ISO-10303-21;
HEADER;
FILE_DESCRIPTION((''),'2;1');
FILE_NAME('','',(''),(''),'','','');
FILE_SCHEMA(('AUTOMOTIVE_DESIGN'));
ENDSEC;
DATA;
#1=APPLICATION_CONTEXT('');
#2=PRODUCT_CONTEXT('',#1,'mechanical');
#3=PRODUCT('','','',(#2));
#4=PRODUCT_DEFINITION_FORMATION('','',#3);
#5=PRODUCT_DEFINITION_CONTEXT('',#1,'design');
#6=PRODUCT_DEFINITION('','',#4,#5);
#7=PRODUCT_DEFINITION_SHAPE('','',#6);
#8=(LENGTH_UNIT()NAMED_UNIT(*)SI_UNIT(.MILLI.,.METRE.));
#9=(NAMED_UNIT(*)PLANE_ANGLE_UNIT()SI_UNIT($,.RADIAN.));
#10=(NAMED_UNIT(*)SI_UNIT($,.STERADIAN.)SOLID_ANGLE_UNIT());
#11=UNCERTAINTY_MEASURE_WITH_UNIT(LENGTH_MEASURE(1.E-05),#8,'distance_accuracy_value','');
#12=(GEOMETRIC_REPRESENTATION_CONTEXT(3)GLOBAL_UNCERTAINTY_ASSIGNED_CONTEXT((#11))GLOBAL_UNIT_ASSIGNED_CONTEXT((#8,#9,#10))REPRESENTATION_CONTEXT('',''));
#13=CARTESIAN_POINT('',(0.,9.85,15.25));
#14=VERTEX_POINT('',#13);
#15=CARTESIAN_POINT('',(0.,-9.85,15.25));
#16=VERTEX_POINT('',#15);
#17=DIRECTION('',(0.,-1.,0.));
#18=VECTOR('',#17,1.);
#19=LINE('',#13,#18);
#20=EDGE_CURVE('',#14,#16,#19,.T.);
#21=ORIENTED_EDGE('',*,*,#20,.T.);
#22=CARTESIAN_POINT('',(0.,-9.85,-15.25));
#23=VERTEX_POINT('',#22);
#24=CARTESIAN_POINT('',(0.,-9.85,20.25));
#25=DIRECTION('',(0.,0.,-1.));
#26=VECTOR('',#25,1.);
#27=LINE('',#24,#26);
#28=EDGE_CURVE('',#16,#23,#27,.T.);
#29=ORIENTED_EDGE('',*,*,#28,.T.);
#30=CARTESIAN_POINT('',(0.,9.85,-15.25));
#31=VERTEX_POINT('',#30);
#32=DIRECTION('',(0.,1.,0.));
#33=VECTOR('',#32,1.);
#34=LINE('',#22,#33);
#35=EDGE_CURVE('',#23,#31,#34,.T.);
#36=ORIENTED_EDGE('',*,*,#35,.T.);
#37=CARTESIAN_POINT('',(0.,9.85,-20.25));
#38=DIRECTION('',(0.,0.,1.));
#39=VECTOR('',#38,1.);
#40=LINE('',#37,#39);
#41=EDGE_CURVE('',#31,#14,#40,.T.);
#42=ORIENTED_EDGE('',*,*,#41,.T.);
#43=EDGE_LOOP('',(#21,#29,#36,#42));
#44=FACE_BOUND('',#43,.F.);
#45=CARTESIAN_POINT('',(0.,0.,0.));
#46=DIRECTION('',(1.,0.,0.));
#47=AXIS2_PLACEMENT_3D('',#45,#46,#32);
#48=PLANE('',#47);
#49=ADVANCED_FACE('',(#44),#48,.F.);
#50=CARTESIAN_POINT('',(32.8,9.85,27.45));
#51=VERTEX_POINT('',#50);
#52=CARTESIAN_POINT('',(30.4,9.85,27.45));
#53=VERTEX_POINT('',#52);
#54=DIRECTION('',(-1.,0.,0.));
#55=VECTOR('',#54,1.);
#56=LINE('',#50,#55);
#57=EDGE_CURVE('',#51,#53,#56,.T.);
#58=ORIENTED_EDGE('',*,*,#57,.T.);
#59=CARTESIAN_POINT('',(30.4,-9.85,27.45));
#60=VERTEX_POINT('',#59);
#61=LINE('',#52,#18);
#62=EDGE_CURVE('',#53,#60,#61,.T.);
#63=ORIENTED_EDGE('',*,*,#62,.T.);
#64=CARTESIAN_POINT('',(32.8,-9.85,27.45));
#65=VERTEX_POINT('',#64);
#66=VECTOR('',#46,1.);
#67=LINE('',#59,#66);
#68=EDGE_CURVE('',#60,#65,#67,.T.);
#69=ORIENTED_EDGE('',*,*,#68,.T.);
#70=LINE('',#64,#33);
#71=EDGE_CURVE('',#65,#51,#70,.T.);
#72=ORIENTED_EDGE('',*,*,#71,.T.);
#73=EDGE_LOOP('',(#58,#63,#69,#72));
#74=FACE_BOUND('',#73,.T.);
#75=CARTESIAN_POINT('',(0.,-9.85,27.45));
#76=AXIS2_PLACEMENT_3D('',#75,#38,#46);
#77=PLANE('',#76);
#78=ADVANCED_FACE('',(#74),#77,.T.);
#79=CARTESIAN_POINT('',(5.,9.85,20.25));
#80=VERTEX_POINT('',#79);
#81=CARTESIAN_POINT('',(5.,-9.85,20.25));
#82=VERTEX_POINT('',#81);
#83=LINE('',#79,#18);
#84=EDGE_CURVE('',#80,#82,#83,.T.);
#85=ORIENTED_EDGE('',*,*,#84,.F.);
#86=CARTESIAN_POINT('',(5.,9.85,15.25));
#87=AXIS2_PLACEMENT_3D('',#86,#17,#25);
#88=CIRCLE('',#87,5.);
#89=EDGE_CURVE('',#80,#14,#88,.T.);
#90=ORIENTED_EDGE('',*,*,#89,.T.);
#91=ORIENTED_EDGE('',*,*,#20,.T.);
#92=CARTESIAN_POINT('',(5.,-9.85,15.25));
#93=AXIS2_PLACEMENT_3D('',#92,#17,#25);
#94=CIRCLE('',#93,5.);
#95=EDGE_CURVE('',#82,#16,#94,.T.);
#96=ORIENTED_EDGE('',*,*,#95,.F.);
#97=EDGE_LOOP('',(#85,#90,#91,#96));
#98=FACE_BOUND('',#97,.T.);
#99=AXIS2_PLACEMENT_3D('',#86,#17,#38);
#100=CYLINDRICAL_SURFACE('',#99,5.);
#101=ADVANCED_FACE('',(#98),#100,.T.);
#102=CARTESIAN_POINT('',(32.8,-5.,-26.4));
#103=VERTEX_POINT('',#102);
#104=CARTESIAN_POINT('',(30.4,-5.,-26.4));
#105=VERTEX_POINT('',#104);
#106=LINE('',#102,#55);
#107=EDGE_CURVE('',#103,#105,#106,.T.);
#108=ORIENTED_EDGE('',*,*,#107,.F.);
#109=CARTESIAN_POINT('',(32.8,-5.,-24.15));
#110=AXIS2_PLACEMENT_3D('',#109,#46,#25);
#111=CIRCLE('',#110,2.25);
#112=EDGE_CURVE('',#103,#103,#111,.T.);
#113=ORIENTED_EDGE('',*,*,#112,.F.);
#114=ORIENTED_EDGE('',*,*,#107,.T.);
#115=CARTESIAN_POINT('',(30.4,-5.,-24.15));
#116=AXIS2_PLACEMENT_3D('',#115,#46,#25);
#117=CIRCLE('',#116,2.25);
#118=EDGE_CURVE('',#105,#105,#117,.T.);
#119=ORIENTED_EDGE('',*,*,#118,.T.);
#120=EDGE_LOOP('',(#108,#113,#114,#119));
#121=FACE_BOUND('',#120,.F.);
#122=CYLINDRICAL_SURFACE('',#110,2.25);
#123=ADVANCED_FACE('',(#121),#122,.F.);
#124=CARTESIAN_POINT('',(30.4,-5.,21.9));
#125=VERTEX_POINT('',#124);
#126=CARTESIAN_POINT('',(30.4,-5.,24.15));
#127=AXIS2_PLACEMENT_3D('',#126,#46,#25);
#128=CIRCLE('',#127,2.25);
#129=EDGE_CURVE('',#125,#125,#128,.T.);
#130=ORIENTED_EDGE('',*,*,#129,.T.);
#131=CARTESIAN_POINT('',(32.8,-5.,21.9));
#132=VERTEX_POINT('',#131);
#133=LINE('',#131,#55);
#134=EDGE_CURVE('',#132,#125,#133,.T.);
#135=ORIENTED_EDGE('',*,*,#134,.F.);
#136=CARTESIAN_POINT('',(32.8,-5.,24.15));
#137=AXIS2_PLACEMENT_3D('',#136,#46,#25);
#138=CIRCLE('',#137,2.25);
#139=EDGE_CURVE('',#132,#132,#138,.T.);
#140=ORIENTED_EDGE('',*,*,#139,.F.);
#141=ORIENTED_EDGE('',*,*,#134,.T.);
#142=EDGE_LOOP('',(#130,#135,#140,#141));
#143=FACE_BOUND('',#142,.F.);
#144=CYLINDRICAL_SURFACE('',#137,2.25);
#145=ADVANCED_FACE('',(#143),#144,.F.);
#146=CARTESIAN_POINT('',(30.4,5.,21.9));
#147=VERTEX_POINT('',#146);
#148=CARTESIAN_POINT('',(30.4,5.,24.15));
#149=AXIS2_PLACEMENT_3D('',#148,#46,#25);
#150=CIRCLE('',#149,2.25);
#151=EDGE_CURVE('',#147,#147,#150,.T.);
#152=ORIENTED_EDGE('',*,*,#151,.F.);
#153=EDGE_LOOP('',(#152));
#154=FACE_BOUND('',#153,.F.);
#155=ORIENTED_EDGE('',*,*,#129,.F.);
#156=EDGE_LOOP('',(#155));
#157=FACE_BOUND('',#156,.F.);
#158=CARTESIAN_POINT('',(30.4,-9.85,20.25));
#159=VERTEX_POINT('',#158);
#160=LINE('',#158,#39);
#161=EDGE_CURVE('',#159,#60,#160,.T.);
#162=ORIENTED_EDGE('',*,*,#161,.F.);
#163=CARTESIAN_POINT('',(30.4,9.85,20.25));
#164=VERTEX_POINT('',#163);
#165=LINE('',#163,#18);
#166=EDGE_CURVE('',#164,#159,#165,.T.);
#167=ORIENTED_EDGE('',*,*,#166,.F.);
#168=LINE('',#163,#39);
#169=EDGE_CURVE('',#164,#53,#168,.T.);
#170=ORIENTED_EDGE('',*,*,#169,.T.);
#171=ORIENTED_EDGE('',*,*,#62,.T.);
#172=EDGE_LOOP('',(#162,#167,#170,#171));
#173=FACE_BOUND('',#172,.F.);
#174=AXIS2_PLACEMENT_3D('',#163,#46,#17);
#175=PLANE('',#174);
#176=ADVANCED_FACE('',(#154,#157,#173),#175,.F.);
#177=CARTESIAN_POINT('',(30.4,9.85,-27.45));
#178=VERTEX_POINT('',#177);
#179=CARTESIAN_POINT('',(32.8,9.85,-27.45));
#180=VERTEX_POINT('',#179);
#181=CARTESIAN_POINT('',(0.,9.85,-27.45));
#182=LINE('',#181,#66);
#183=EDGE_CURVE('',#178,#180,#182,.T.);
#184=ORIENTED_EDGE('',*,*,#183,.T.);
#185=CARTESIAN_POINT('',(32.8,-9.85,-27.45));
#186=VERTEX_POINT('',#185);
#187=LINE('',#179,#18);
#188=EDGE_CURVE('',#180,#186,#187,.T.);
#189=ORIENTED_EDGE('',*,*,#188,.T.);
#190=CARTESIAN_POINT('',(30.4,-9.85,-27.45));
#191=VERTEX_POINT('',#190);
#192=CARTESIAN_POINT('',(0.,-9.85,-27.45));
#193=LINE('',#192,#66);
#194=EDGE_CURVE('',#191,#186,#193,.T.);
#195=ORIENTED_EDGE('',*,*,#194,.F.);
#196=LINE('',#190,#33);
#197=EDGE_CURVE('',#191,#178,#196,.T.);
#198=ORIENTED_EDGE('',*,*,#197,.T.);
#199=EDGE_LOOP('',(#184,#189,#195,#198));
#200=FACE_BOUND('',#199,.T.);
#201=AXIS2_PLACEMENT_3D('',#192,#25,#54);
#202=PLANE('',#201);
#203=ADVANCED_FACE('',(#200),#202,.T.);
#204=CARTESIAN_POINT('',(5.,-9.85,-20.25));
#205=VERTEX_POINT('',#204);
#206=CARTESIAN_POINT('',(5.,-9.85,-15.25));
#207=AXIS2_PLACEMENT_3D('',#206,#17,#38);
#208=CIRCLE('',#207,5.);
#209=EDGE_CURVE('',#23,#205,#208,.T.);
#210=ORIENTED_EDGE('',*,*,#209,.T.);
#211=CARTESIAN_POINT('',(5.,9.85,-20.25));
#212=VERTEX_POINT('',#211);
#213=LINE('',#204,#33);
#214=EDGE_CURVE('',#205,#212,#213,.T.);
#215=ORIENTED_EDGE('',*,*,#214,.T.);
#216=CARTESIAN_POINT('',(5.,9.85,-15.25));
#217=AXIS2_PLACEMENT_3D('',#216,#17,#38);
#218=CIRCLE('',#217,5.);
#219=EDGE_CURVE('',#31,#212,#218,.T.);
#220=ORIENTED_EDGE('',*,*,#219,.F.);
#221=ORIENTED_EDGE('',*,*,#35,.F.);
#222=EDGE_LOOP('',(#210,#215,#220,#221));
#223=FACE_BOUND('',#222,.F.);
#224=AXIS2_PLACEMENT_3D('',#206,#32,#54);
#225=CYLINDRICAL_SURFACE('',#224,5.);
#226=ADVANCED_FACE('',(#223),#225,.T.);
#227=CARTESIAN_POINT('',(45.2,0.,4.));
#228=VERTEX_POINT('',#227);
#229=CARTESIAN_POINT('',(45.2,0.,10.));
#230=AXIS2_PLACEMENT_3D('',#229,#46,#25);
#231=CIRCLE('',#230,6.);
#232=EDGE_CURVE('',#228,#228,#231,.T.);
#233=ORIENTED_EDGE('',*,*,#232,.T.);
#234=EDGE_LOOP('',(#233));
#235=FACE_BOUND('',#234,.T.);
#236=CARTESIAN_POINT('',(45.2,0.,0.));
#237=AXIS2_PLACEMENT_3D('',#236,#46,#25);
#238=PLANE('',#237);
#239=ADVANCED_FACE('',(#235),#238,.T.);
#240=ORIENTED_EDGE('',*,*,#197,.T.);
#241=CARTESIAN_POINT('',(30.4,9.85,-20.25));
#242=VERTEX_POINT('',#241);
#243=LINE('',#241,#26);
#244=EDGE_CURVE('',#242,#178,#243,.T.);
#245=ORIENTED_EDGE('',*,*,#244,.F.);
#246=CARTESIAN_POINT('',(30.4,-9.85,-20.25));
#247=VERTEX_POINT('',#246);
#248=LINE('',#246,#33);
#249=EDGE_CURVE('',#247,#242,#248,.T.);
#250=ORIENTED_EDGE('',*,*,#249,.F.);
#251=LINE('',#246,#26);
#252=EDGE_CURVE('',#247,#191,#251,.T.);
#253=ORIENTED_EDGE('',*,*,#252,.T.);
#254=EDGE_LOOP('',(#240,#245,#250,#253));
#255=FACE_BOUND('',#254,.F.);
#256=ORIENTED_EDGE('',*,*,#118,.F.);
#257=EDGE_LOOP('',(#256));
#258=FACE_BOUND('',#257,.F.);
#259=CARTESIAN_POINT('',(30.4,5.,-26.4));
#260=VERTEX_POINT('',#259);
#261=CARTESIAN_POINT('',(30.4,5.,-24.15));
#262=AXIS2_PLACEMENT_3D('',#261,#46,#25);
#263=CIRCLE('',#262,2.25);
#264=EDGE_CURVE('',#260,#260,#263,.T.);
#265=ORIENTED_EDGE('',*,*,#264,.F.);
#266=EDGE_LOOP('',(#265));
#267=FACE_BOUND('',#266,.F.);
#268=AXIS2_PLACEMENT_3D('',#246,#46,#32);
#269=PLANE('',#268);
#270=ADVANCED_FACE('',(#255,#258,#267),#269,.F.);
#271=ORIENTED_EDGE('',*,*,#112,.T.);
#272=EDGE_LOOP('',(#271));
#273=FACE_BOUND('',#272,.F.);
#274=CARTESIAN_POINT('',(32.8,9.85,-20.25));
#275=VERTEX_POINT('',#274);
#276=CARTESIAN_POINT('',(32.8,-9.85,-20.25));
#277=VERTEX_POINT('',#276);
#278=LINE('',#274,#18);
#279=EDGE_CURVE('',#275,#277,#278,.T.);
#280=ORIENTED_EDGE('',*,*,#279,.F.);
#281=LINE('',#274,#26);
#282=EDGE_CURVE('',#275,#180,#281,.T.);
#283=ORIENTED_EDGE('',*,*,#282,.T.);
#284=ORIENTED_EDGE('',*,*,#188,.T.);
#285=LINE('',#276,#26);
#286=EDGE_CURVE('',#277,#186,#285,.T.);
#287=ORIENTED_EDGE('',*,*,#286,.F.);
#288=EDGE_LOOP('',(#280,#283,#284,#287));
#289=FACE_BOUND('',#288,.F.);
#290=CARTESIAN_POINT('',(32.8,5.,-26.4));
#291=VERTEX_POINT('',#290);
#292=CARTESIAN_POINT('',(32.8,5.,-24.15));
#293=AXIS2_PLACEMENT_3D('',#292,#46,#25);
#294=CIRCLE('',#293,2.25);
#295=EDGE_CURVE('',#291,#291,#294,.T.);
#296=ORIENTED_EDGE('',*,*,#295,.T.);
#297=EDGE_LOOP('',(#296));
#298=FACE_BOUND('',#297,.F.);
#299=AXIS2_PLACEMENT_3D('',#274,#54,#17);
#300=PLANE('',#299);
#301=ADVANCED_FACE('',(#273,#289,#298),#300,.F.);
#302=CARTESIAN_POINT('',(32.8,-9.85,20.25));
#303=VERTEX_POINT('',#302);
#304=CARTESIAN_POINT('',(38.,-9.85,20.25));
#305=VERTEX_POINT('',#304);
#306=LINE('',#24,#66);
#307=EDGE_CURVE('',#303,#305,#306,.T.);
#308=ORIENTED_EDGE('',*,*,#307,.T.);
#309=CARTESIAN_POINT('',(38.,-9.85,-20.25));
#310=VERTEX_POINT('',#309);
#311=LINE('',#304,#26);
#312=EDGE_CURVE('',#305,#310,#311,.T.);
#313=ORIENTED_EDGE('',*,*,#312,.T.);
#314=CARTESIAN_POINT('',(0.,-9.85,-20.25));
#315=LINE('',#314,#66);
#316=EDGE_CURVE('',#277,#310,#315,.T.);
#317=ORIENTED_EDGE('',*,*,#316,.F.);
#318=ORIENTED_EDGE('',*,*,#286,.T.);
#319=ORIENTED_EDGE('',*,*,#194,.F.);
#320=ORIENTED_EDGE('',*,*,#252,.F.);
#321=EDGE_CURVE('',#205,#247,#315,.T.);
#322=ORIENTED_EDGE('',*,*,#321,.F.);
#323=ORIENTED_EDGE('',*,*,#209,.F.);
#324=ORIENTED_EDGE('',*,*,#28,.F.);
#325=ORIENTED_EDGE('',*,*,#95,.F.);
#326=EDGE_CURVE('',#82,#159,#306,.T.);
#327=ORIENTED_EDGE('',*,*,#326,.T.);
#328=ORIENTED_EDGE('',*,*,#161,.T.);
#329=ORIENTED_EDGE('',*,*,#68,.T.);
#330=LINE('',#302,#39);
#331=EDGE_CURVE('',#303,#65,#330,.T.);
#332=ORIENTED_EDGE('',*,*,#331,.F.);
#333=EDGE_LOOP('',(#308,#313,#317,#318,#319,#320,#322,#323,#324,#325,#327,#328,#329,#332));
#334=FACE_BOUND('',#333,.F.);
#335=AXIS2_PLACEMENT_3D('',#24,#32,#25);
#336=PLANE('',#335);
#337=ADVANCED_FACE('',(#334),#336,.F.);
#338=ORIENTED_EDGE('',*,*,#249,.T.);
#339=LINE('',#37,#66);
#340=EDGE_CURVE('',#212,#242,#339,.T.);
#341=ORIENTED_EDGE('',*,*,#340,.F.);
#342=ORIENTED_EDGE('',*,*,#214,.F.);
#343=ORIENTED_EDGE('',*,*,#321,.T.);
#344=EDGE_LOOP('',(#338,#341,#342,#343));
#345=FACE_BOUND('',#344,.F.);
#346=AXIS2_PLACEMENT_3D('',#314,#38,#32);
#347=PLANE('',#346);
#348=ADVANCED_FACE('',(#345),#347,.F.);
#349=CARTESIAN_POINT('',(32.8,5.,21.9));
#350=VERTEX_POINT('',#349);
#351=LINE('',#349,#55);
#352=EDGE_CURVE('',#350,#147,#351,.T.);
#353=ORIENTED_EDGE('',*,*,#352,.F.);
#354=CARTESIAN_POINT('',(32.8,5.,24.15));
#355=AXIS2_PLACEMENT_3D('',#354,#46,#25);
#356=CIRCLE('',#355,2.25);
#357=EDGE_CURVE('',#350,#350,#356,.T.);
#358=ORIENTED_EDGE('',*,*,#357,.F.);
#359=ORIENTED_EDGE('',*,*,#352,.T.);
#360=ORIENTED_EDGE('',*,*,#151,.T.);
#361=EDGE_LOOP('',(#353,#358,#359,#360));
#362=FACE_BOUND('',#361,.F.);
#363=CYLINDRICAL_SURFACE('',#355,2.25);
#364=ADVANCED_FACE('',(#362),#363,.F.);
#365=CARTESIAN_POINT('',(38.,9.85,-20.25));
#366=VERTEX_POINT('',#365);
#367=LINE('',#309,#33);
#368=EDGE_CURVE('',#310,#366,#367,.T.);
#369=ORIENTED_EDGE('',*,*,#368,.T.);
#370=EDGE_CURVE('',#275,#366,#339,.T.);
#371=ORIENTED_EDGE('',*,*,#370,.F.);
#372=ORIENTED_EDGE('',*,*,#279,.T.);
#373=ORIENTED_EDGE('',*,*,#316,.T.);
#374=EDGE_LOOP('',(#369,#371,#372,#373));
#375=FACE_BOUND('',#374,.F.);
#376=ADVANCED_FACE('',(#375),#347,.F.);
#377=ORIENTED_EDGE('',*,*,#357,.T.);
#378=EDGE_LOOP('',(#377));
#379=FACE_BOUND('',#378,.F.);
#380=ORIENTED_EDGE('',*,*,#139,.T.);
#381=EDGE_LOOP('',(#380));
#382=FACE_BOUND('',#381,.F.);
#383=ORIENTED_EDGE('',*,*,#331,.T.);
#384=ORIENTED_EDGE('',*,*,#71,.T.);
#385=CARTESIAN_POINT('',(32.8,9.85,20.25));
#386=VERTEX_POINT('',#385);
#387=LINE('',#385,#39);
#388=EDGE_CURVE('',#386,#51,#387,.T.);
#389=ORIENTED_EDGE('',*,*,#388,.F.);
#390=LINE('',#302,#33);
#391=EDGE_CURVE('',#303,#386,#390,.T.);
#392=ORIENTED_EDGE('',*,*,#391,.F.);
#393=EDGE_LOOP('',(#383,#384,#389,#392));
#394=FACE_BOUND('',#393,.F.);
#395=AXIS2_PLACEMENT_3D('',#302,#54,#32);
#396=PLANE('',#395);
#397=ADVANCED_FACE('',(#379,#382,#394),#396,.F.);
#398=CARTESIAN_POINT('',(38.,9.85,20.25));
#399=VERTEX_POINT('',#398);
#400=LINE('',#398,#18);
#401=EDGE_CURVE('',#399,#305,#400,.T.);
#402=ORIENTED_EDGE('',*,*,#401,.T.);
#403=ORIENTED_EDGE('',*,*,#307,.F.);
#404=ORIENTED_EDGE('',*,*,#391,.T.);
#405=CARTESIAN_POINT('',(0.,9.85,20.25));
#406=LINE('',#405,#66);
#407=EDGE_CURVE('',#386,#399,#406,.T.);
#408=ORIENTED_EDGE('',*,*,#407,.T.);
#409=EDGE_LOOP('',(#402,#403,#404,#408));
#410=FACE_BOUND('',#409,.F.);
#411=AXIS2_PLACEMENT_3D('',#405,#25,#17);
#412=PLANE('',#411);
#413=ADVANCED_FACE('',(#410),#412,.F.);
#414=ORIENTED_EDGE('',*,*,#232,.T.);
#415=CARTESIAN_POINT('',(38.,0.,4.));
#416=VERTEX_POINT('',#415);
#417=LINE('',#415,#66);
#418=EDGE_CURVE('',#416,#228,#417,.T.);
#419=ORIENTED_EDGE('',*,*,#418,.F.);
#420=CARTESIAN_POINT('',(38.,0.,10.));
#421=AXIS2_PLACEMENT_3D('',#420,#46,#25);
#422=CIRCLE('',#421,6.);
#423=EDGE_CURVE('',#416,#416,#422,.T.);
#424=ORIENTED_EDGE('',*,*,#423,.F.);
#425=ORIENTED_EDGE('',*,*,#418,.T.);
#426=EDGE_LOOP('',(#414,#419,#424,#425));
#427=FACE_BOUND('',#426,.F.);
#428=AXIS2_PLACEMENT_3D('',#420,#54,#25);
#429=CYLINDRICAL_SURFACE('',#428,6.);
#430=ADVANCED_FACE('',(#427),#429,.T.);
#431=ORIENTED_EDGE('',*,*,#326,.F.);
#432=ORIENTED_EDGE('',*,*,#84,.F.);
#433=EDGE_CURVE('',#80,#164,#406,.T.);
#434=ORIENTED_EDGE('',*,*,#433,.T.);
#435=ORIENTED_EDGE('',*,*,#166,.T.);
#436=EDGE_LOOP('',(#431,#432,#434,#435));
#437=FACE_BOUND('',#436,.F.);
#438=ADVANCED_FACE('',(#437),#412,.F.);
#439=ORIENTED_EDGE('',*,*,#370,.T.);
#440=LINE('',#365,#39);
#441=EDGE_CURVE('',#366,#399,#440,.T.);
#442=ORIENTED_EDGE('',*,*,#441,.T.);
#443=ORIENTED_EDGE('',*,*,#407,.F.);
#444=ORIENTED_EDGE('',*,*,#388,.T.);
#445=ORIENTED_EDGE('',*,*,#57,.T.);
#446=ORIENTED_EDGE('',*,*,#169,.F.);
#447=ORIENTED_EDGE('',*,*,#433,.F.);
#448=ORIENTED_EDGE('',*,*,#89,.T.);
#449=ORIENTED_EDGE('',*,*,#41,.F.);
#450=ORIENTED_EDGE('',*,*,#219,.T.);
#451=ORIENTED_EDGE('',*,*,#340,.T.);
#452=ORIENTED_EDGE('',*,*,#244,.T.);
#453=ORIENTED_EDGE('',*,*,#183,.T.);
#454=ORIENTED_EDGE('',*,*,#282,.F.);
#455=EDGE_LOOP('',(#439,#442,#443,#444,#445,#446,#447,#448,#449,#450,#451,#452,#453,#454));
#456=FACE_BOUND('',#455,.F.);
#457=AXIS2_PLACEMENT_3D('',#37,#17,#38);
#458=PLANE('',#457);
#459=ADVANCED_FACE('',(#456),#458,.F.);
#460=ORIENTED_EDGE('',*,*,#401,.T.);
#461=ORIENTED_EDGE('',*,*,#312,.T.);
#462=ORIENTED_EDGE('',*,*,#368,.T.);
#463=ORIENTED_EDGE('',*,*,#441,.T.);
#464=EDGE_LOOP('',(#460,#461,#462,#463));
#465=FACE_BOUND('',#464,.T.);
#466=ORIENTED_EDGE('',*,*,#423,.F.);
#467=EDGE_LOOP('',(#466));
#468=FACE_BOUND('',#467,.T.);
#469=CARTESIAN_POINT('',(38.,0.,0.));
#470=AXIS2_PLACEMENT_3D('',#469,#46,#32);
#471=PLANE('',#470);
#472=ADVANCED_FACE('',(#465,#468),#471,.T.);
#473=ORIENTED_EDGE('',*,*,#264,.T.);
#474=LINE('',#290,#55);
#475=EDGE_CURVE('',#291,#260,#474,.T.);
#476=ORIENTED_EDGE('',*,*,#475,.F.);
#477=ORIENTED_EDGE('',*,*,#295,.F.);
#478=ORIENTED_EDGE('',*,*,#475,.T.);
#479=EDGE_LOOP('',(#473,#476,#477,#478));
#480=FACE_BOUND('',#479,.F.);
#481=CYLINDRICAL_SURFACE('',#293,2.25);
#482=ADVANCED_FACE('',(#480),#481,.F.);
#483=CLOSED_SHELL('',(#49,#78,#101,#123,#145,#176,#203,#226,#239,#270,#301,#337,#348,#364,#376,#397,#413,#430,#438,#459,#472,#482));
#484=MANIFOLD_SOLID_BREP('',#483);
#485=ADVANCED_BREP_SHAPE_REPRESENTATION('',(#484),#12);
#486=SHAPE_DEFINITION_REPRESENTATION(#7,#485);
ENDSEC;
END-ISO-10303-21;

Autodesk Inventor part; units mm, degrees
ref_plane "YZ Plane" through (0, 0, 0) normal (1, 0, 0) x (0, 1, 0)
ref_plane "XZ Plane" through (0, 0, 0) normal (0, 1, 0) x (-1, 0, 0)
ref_plane "XY Plane" through (0, 0, 0) normal (0, 0, 1) x (1, 0, 0)
sketch "Esquisse1" plane through (0, 0, 0) normal (1, 0, 0) x (0, 1, 0)
  line L0 (9.85, 20.25) -> (-9.85, 20.25)
  line L1 (-9.85, 20.25) -> (-9.85, -20.25)
  line L2 (-9.85, -20.25) -> (9.85, -20.25)
  line L3 (9.85, -20.25) -> (9.85, 20.25)
  line L4 (9.85, 20.25) -> (-9.85, -20.25)
  line L5 (-9.85, 20.25) -> (9.85, -20.25)
  point P0 (0, 0)
  point P1 (0, 0)
  point P2 (0, 0)
  dimension "d0" = 19.7
  dimension "d1" = 40.5
extrude "Extrusion1" add sketch "Esquisse1" along normal blind 38
sketch "Esquisse2" plane through (0, -9.85, -20.25) normal (0, 0, -1) x (-1, 0, 0)
  line L0 (0, 0) -> (-38, 0) projected
  line L1 (0, 19.7) -> (-38, 19.7) projected
  line L2 (-32.8, 0) -> (-30.4, 0)
  line L3 (-30.4, 0) -> (-30.4, 19.7)
  line L4 (-30.4, 19.7) -> (-32.8, 19.7)
  line L5 (-32.8, 19.7) -> (-32.8, 0)
  line L6 (-38, 0) -> (-38, 19.7) projected
  point P0 (0, 9.85)
  dimension "d4" = 5.2
  dimension "d5" = 2.4
extrude "Extrusion2" add sketch "Esquisse2" along normal blind 7.2 contours L0 L5 L1 L3
sketch "Esquisse3" plane through (0, -9.85, 20.25) normal (0, 0, 1) x (1, 0, 0)
  line L0 (32.8, 19.7) -> (38, 19.7) projected
  line L1 (32.8, 19.7) -> (30.4, 19.7)
  line L2 (30.4, 19.7) -> (30.4, 0)
  line L3 (30.4, 0) -> (32.8, 0)
  line L4 (32.8, 0) -> (32.8, 19.7)
  point P0 (0, 9.85)
extrude "Extrusion3" add sketch "Esquisse3" along normal blind 7.2
sketch "Esquisse4" plane through (32.8, -9.85, 20.25) normal (1, 0, 0) x (0, 0, -1)
  line L0 (40.5, 19.7) -> (0, 19.7) projected
  line L1 (20.25, 19.7) -> (20.25, 0)
  line L2 (0, 0) -> (40.5, 0) projected
  circle A0 centre (-3.9, 14.85) radius 2.25
  line L3 (-7.2, 19.7) -> (-7.2, 0) projected
  line L4 (-7.2, 9.85) -> (47.7, 9.85)
  line L5 (47.7, 0) -> (47.7, 19.7) projected
  circle A1 centre (-3.9, 4.85) radius 2.25
  circle A2 centre (44.4, 14.85) radius 2.25
  circle A3 centre (44.4, 4.85) radius 2.25
  point P0 (20.25, 9.85)
  dimension "d10" = 4.5
  dimension "d11" = 10
  dimension "d19" = 24.15
extrude "Extrusion4" cut sketch "Esquisse4" against normal blind 7.2
sketch "Esquisse5" plane through (38, 0, 0) normal (1, 0, 0) x (0, 0, -1)
  circle A0 centre (-10, 0) radius 6
  point P0 (0, 0)
  dimension "d14" = 12
  dimension "d15" = 10
extrude "Extrusion5" add sketch "Esquisse5" along normal blind 7.2
fillet "Congé1" radius 5 2 edges at (0, 0, 20.25) (0, 0, -20.25)
properties part number "servomoteur_roues"
